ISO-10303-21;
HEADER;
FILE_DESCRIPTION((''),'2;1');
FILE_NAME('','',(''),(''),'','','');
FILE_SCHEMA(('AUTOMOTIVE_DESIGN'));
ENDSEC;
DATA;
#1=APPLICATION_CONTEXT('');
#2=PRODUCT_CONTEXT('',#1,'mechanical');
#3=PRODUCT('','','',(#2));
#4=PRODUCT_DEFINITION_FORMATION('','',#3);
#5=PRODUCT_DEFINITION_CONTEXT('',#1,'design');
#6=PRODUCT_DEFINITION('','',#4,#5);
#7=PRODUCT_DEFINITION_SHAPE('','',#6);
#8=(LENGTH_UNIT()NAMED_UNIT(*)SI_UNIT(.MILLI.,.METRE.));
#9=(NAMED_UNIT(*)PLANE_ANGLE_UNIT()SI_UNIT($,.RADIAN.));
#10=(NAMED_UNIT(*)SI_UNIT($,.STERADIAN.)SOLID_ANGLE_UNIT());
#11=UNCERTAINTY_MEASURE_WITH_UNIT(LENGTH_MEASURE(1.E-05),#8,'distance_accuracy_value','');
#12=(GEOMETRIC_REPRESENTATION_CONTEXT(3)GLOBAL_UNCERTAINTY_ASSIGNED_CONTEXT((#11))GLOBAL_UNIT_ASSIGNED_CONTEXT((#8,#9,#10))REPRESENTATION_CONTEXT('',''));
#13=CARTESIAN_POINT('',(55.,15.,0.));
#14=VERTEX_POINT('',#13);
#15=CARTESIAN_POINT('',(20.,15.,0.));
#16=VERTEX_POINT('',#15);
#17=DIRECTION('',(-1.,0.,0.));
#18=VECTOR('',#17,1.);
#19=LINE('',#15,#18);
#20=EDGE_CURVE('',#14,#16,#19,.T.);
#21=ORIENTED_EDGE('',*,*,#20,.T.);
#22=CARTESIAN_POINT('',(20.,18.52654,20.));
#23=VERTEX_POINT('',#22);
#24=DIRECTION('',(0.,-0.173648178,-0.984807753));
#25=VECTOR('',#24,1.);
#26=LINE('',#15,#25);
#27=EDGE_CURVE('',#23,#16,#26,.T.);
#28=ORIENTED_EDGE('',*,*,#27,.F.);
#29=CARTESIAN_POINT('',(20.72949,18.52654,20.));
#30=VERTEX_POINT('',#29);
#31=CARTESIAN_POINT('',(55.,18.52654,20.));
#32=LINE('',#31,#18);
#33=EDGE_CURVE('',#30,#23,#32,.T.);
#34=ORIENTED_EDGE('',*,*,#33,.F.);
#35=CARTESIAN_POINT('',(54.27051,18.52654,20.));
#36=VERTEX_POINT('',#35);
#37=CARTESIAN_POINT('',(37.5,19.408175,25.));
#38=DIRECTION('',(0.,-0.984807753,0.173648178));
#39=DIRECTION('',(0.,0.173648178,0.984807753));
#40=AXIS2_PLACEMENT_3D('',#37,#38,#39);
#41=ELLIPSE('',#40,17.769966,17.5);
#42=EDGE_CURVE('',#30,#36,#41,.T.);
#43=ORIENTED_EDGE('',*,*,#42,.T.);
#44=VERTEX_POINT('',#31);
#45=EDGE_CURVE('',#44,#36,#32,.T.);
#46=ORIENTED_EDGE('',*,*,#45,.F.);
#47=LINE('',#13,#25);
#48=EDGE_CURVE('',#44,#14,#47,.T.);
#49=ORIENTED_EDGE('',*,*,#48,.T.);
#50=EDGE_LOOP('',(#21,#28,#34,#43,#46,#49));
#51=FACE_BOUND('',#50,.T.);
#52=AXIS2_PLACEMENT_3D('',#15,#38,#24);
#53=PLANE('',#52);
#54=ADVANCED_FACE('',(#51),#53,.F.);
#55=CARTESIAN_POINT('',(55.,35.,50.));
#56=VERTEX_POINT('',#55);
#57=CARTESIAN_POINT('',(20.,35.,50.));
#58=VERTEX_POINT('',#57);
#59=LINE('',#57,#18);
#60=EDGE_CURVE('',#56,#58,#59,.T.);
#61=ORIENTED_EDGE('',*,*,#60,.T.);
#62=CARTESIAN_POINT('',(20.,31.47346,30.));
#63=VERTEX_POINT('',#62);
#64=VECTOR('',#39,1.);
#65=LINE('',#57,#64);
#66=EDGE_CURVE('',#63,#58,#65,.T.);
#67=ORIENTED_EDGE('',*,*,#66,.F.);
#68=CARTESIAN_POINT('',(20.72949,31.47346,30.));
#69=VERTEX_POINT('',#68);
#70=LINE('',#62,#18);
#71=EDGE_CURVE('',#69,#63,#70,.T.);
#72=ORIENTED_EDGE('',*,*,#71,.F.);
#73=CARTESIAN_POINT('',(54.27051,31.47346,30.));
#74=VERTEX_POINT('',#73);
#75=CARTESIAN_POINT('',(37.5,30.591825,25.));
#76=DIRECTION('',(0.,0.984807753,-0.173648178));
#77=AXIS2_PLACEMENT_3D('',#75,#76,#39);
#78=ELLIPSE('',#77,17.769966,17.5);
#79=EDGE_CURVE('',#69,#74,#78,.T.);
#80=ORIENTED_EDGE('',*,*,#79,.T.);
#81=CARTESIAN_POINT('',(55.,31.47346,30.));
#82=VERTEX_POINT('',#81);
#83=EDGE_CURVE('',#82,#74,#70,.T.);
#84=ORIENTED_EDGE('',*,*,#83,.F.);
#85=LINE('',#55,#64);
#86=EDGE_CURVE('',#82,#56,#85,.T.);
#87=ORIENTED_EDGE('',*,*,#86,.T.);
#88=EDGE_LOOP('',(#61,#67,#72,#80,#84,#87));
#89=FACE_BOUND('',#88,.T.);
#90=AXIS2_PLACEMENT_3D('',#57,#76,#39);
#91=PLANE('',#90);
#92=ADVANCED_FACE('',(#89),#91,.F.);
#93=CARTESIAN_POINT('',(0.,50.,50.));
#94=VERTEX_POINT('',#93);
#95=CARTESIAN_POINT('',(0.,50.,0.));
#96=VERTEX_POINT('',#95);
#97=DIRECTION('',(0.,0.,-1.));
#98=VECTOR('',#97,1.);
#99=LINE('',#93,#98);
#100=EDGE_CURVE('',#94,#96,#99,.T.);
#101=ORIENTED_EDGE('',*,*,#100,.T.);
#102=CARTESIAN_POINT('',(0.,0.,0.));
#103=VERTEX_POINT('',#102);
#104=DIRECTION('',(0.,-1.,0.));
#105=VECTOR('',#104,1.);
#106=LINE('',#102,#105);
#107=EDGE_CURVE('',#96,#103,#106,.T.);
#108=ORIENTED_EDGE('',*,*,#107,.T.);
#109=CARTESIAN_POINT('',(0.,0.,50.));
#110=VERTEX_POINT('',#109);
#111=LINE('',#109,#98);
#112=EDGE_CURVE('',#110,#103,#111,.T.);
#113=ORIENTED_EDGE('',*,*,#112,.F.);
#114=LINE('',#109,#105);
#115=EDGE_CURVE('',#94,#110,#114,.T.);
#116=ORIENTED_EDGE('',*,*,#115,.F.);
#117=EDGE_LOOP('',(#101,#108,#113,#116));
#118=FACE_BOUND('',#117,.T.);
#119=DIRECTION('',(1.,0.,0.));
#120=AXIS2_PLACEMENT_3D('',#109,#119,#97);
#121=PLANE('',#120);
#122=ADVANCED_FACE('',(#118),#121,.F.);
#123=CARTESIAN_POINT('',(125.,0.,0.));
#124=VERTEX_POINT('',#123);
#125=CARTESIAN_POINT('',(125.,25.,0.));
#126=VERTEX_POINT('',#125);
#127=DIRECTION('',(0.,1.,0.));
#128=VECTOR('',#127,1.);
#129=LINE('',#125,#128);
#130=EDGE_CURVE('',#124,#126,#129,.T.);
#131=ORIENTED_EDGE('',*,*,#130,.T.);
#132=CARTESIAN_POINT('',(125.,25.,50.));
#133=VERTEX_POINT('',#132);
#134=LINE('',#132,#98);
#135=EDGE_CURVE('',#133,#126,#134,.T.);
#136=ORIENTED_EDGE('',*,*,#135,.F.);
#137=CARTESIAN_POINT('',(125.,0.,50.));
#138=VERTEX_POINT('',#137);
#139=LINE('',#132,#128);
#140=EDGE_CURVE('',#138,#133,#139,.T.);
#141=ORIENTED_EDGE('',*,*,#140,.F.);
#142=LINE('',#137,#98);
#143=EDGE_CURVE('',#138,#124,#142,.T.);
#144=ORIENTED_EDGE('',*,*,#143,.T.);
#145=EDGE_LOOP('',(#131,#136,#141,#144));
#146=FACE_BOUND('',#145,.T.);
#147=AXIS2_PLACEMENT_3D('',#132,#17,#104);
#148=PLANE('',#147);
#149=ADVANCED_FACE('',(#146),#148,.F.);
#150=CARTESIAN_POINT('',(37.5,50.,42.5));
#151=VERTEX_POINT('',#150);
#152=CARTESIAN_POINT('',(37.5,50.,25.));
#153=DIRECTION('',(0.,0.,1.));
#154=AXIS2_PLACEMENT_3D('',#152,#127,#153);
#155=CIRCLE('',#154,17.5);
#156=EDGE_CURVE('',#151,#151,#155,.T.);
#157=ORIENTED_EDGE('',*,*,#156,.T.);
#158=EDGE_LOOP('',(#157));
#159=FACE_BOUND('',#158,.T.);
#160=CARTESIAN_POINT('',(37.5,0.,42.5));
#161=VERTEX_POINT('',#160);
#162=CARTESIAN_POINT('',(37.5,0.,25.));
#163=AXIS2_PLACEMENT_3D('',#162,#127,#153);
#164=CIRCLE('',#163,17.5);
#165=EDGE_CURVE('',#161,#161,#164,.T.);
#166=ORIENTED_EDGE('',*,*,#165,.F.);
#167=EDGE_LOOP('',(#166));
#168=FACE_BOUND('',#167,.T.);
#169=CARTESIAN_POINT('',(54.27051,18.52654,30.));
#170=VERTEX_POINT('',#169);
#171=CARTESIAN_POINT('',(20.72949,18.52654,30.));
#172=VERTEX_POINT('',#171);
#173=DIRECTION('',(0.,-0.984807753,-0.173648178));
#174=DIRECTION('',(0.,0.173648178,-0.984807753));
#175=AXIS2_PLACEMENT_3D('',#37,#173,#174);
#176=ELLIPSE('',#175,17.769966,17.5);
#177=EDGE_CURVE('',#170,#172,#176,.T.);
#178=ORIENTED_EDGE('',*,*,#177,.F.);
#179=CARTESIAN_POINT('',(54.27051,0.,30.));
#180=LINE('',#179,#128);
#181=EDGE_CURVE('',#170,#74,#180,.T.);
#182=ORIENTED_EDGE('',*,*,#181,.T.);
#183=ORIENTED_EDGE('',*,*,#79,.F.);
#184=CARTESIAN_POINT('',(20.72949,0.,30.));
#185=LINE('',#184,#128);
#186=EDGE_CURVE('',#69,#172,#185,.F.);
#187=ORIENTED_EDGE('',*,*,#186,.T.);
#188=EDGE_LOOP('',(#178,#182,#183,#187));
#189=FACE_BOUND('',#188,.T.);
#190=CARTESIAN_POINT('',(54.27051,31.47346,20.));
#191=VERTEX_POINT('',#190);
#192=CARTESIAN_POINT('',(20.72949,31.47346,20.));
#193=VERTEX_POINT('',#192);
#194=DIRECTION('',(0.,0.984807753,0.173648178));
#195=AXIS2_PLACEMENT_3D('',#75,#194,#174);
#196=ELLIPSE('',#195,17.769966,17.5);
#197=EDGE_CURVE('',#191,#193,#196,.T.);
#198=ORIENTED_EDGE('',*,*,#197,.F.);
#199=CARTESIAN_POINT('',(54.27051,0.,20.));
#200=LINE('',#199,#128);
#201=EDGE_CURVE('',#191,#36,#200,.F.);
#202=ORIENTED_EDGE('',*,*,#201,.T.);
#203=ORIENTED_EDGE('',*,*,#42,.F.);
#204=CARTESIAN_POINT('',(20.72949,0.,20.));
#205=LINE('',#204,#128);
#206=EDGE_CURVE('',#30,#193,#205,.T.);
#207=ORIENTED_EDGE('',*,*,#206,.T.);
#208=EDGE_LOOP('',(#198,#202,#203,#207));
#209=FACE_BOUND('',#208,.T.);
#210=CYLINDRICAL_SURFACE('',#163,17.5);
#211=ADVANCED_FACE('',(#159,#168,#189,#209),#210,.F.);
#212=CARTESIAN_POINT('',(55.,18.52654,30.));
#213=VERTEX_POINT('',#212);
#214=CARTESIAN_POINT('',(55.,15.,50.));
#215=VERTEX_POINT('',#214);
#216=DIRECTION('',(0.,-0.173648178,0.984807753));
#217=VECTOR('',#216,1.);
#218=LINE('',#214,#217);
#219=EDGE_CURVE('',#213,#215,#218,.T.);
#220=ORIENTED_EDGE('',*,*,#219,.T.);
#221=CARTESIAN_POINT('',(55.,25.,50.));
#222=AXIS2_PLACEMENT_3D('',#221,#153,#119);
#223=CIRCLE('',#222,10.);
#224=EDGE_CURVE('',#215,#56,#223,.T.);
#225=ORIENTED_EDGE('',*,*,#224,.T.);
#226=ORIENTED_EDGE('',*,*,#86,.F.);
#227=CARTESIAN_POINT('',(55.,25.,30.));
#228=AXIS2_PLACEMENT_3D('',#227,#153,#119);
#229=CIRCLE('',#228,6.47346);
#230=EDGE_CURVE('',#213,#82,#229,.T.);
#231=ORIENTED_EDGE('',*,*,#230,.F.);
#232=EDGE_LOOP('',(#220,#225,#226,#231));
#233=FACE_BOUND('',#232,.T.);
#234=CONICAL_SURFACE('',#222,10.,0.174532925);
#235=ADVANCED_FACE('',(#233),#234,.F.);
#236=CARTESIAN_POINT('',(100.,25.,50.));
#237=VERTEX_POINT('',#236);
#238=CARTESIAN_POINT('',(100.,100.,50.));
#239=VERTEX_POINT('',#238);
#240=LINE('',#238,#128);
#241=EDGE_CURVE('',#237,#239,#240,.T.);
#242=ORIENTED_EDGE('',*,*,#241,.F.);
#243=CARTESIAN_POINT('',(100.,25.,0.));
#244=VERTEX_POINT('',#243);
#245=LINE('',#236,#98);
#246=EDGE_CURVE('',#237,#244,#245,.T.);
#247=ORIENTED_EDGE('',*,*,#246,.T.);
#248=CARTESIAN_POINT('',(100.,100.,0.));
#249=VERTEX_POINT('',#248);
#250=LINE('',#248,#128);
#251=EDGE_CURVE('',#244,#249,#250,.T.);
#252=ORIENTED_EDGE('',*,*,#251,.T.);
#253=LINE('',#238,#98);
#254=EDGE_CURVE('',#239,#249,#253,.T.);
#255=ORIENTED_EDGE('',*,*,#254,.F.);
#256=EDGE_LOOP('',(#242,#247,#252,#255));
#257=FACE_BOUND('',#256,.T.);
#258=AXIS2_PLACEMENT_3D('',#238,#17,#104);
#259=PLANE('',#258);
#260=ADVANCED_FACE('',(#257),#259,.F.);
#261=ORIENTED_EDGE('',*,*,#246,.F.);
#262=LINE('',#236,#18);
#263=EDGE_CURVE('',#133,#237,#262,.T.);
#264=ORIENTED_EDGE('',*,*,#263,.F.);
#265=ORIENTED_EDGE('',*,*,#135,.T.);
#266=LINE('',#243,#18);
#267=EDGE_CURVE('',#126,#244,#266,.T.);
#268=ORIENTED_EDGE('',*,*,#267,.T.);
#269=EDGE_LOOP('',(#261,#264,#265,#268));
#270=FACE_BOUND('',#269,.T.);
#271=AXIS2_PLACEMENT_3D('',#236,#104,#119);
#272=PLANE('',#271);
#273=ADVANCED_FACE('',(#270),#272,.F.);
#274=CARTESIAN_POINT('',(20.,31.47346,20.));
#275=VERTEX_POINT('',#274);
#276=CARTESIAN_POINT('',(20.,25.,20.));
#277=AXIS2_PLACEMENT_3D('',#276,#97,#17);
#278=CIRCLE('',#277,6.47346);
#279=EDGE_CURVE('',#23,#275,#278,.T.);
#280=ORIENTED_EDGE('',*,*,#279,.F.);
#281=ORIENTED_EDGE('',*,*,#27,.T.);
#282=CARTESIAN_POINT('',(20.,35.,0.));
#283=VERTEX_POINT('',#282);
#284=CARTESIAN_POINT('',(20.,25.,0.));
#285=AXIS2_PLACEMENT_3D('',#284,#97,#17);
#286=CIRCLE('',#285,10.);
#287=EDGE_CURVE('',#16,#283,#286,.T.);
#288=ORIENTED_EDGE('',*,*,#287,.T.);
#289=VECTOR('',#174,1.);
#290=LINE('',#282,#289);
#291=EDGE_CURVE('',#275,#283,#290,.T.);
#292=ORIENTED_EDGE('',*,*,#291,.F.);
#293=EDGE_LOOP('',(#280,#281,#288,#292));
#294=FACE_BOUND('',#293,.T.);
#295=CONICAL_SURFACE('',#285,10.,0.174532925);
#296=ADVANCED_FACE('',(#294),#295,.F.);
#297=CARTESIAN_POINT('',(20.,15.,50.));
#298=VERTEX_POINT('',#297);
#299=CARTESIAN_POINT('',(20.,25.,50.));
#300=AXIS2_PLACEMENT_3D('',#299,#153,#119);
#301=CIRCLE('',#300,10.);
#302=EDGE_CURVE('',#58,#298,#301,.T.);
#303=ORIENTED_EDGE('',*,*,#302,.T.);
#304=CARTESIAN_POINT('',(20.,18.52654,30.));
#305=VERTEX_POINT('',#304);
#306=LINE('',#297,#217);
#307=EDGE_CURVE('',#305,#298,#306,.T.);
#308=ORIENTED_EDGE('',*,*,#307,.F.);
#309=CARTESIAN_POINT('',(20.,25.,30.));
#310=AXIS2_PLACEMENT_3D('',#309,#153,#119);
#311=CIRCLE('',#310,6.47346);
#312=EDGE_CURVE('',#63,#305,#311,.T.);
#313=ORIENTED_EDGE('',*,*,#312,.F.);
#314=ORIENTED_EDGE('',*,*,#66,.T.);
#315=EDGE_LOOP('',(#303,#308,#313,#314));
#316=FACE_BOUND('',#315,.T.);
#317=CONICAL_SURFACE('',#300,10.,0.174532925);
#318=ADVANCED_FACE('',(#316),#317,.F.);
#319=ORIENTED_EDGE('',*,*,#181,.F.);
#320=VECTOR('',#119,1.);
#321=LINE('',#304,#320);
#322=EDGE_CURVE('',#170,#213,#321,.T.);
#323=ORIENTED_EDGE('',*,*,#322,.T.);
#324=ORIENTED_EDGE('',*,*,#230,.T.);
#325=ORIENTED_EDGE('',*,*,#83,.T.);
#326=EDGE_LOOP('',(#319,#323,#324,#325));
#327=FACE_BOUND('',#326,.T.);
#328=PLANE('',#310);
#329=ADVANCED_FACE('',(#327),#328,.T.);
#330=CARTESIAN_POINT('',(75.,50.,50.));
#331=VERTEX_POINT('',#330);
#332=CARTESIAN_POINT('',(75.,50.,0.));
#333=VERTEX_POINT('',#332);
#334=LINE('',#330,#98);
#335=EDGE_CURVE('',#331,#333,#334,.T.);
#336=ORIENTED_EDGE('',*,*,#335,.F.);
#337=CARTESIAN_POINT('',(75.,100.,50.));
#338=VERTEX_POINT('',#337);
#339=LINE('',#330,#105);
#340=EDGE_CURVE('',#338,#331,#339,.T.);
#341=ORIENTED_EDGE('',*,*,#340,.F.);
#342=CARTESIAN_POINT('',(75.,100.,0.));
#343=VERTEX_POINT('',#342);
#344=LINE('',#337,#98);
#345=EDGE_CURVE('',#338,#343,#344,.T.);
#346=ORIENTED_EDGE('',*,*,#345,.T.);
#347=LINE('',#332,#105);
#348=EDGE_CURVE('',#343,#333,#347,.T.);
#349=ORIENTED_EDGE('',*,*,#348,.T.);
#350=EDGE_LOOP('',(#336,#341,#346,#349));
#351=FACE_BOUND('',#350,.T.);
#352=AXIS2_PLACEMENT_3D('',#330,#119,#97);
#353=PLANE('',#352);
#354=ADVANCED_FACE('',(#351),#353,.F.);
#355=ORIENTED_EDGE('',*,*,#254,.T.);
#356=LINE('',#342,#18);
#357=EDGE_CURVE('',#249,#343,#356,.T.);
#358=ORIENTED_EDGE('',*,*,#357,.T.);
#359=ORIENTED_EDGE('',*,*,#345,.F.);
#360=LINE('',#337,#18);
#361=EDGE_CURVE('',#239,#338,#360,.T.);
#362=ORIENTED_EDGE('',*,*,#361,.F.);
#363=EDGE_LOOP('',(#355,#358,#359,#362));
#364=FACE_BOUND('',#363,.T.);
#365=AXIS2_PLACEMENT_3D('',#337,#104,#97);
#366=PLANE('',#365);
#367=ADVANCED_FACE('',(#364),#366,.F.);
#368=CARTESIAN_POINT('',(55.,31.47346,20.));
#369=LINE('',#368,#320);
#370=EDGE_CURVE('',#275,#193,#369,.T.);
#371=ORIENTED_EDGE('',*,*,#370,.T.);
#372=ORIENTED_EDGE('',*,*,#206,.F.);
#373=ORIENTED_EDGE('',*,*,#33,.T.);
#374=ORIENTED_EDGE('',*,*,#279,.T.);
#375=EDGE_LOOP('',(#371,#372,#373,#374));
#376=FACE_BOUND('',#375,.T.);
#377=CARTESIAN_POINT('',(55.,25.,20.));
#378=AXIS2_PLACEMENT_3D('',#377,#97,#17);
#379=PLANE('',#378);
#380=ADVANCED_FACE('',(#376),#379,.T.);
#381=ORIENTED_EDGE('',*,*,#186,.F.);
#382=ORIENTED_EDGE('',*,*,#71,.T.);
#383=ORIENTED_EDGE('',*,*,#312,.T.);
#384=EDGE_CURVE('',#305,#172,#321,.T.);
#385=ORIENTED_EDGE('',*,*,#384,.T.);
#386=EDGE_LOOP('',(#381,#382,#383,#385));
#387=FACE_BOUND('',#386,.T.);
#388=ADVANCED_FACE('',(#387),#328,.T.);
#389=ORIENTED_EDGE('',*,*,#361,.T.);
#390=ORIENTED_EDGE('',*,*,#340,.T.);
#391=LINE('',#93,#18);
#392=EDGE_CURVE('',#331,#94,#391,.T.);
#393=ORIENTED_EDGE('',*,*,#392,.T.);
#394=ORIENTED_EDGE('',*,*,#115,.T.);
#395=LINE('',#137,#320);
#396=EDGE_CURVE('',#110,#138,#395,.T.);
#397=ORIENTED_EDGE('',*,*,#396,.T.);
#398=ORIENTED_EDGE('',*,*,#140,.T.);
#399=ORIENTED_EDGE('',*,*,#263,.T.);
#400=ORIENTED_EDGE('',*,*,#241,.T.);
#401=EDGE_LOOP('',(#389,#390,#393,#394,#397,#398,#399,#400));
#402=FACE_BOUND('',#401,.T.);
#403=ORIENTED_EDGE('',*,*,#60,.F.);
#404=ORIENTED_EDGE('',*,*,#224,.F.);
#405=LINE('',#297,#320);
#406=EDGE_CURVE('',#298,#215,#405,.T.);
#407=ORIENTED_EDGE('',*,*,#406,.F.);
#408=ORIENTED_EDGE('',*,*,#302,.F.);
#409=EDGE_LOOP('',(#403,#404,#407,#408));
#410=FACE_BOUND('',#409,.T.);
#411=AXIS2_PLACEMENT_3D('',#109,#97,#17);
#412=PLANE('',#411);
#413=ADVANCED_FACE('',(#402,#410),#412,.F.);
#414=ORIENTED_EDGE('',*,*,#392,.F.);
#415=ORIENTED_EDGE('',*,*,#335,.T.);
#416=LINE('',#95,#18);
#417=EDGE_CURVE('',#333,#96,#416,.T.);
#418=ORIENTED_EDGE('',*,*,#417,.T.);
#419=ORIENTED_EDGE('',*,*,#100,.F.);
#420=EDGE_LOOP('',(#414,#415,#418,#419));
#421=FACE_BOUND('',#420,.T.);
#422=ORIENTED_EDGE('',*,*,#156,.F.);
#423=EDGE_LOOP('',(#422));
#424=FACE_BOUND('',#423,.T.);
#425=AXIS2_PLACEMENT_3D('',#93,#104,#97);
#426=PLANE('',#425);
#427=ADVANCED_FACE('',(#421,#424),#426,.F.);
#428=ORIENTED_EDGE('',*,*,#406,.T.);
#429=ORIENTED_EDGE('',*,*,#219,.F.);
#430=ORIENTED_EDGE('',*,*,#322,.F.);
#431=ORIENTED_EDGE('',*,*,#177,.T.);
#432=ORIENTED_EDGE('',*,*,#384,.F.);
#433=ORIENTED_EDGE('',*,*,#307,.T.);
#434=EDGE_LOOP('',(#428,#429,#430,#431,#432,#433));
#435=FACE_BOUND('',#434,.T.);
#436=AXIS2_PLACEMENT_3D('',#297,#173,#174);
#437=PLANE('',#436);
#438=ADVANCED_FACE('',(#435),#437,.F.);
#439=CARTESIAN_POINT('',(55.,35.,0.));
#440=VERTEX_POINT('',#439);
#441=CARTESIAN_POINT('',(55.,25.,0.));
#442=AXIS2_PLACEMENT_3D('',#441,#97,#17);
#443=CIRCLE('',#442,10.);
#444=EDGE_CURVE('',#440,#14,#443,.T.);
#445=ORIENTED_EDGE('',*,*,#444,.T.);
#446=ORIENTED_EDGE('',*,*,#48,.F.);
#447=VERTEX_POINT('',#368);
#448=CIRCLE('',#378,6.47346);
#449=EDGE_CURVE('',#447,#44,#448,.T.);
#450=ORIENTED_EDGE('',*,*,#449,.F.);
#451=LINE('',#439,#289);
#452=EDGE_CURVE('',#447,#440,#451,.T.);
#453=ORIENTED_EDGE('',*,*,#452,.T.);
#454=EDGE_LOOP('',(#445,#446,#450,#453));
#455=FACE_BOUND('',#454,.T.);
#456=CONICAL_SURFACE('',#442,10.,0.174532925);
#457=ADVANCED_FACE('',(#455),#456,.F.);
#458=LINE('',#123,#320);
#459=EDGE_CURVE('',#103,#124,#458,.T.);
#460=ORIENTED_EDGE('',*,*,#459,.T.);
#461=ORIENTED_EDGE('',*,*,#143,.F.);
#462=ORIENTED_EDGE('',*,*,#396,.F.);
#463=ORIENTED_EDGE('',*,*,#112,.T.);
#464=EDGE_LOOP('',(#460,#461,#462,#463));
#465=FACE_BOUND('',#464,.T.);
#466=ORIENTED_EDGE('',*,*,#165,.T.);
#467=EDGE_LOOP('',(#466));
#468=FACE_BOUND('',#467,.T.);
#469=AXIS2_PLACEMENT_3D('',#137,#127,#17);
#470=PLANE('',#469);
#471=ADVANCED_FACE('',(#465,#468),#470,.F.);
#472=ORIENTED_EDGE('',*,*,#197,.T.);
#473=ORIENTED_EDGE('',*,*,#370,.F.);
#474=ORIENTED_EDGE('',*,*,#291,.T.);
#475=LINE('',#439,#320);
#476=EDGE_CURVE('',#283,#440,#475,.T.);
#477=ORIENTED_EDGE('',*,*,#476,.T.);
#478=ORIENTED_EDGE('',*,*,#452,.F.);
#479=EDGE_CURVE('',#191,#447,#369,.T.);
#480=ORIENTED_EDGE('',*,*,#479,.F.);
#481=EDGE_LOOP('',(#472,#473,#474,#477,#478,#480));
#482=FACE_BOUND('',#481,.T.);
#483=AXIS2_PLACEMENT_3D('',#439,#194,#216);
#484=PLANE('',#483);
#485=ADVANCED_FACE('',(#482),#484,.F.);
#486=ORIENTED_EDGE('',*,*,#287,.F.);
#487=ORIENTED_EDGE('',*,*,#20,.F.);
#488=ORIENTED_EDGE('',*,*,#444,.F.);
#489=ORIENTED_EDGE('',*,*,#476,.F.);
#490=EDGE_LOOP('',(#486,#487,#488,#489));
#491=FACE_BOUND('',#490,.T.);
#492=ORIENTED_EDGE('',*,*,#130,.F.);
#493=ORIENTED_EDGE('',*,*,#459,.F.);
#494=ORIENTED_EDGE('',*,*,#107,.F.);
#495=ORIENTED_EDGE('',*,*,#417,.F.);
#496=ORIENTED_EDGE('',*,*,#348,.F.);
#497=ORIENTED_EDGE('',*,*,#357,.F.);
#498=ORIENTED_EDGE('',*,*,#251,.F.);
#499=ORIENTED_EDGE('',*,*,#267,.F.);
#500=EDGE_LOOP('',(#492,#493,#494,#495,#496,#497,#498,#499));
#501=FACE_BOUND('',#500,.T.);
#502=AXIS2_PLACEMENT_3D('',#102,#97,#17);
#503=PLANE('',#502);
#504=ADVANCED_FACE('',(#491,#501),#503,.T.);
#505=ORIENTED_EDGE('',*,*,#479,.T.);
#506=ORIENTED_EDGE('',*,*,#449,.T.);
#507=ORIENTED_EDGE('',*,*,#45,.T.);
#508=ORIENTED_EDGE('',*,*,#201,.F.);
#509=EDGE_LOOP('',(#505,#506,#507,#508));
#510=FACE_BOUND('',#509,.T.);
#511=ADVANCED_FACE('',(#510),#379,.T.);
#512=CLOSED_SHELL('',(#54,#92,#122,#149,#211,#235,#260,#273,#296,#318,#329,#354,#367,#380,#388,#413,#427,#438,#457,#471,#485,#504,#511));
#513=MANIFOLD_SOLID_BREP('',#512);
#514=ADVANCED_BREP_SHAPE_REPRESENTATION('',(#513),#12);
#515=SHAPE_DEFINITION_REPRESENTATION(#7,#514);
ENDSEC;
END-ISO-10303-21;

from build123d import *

# Parameters (mm, degrees)
BASE_EXTRUSION_DEPTH = 50
FRONT_CUT_DEPTH      = 20
FRONT_CUT_TAPER      = 10
BACK_CUT_DEPTH       = 20
BACK_CUT_TAPER       = 10
TOP_CUT_SKETCH_R     = 17.5
TOP_CUT_DEPTH        = 50


with BuildPart() as part:
    # Base Sketch → Base Extrusion (new body)
    with BuildSketch(Plane.XY):
        Polygon((0, 0), (0, 50), (75, 50), (75, 100), (100, 100), (100, 25), (125, 25), (125, 0), align=None)
    extrude(amount=BASE_EXTRUSION_DEPTH)

    # Front Cut Sketch → Front Cut (cut)
    with BuildSketch(Plane.XY.offset(50)):
        with BuildLine():
            ThreePointArc((20, 35), (10, 25), (20, 15))
            Line((20, 15), (55, 15))
            ThreePointArc((55, 15), (65, 25), (55, 35))
            Line((55, 35), (20, 35))
        make_face()
    extrude(amount=-FRONT_CUT_DEPTH, taper=FRONT_CUT_TAPER, mode=Mode.SUBTRACT)

    # Back Cut Sketch → Back Cut (cut)
    with BuildSketch(Plane(origin=(0, 0, 0), x_dir=(-1, 0, 0), z_dir=(0, 0, -1))):
        with BuildLine():
            ThreePointArc((-20, 15), (-10, 25), (-20, 35))
            Line((-20, 35), (-55, 35))
            ThreePointArc((-55, 35), (-65, 25), (-55, 15))
            Line((-55, 15), (-20, 15))
        make_face()
    extrude(amount=-BACK_CUT_DEPTH, taper=BACK_CUT_TAPER, mode=Mode.SUBTRACT)

    # Top Cut Sketch → Top Cut (cut)
    with BuildSketch(Plane(origin=(0, 50, 0), x_dir=(1, 0, 0), z_dir=(0, 1, 0))):
        with Locations((37.5, -25)):
            Circle(TOP_CUT_SKETCH_R)
    extrude(amount=-TOP_CUT_DEPTH, mode=Mode.SUBTRACT)


solid = part.part
